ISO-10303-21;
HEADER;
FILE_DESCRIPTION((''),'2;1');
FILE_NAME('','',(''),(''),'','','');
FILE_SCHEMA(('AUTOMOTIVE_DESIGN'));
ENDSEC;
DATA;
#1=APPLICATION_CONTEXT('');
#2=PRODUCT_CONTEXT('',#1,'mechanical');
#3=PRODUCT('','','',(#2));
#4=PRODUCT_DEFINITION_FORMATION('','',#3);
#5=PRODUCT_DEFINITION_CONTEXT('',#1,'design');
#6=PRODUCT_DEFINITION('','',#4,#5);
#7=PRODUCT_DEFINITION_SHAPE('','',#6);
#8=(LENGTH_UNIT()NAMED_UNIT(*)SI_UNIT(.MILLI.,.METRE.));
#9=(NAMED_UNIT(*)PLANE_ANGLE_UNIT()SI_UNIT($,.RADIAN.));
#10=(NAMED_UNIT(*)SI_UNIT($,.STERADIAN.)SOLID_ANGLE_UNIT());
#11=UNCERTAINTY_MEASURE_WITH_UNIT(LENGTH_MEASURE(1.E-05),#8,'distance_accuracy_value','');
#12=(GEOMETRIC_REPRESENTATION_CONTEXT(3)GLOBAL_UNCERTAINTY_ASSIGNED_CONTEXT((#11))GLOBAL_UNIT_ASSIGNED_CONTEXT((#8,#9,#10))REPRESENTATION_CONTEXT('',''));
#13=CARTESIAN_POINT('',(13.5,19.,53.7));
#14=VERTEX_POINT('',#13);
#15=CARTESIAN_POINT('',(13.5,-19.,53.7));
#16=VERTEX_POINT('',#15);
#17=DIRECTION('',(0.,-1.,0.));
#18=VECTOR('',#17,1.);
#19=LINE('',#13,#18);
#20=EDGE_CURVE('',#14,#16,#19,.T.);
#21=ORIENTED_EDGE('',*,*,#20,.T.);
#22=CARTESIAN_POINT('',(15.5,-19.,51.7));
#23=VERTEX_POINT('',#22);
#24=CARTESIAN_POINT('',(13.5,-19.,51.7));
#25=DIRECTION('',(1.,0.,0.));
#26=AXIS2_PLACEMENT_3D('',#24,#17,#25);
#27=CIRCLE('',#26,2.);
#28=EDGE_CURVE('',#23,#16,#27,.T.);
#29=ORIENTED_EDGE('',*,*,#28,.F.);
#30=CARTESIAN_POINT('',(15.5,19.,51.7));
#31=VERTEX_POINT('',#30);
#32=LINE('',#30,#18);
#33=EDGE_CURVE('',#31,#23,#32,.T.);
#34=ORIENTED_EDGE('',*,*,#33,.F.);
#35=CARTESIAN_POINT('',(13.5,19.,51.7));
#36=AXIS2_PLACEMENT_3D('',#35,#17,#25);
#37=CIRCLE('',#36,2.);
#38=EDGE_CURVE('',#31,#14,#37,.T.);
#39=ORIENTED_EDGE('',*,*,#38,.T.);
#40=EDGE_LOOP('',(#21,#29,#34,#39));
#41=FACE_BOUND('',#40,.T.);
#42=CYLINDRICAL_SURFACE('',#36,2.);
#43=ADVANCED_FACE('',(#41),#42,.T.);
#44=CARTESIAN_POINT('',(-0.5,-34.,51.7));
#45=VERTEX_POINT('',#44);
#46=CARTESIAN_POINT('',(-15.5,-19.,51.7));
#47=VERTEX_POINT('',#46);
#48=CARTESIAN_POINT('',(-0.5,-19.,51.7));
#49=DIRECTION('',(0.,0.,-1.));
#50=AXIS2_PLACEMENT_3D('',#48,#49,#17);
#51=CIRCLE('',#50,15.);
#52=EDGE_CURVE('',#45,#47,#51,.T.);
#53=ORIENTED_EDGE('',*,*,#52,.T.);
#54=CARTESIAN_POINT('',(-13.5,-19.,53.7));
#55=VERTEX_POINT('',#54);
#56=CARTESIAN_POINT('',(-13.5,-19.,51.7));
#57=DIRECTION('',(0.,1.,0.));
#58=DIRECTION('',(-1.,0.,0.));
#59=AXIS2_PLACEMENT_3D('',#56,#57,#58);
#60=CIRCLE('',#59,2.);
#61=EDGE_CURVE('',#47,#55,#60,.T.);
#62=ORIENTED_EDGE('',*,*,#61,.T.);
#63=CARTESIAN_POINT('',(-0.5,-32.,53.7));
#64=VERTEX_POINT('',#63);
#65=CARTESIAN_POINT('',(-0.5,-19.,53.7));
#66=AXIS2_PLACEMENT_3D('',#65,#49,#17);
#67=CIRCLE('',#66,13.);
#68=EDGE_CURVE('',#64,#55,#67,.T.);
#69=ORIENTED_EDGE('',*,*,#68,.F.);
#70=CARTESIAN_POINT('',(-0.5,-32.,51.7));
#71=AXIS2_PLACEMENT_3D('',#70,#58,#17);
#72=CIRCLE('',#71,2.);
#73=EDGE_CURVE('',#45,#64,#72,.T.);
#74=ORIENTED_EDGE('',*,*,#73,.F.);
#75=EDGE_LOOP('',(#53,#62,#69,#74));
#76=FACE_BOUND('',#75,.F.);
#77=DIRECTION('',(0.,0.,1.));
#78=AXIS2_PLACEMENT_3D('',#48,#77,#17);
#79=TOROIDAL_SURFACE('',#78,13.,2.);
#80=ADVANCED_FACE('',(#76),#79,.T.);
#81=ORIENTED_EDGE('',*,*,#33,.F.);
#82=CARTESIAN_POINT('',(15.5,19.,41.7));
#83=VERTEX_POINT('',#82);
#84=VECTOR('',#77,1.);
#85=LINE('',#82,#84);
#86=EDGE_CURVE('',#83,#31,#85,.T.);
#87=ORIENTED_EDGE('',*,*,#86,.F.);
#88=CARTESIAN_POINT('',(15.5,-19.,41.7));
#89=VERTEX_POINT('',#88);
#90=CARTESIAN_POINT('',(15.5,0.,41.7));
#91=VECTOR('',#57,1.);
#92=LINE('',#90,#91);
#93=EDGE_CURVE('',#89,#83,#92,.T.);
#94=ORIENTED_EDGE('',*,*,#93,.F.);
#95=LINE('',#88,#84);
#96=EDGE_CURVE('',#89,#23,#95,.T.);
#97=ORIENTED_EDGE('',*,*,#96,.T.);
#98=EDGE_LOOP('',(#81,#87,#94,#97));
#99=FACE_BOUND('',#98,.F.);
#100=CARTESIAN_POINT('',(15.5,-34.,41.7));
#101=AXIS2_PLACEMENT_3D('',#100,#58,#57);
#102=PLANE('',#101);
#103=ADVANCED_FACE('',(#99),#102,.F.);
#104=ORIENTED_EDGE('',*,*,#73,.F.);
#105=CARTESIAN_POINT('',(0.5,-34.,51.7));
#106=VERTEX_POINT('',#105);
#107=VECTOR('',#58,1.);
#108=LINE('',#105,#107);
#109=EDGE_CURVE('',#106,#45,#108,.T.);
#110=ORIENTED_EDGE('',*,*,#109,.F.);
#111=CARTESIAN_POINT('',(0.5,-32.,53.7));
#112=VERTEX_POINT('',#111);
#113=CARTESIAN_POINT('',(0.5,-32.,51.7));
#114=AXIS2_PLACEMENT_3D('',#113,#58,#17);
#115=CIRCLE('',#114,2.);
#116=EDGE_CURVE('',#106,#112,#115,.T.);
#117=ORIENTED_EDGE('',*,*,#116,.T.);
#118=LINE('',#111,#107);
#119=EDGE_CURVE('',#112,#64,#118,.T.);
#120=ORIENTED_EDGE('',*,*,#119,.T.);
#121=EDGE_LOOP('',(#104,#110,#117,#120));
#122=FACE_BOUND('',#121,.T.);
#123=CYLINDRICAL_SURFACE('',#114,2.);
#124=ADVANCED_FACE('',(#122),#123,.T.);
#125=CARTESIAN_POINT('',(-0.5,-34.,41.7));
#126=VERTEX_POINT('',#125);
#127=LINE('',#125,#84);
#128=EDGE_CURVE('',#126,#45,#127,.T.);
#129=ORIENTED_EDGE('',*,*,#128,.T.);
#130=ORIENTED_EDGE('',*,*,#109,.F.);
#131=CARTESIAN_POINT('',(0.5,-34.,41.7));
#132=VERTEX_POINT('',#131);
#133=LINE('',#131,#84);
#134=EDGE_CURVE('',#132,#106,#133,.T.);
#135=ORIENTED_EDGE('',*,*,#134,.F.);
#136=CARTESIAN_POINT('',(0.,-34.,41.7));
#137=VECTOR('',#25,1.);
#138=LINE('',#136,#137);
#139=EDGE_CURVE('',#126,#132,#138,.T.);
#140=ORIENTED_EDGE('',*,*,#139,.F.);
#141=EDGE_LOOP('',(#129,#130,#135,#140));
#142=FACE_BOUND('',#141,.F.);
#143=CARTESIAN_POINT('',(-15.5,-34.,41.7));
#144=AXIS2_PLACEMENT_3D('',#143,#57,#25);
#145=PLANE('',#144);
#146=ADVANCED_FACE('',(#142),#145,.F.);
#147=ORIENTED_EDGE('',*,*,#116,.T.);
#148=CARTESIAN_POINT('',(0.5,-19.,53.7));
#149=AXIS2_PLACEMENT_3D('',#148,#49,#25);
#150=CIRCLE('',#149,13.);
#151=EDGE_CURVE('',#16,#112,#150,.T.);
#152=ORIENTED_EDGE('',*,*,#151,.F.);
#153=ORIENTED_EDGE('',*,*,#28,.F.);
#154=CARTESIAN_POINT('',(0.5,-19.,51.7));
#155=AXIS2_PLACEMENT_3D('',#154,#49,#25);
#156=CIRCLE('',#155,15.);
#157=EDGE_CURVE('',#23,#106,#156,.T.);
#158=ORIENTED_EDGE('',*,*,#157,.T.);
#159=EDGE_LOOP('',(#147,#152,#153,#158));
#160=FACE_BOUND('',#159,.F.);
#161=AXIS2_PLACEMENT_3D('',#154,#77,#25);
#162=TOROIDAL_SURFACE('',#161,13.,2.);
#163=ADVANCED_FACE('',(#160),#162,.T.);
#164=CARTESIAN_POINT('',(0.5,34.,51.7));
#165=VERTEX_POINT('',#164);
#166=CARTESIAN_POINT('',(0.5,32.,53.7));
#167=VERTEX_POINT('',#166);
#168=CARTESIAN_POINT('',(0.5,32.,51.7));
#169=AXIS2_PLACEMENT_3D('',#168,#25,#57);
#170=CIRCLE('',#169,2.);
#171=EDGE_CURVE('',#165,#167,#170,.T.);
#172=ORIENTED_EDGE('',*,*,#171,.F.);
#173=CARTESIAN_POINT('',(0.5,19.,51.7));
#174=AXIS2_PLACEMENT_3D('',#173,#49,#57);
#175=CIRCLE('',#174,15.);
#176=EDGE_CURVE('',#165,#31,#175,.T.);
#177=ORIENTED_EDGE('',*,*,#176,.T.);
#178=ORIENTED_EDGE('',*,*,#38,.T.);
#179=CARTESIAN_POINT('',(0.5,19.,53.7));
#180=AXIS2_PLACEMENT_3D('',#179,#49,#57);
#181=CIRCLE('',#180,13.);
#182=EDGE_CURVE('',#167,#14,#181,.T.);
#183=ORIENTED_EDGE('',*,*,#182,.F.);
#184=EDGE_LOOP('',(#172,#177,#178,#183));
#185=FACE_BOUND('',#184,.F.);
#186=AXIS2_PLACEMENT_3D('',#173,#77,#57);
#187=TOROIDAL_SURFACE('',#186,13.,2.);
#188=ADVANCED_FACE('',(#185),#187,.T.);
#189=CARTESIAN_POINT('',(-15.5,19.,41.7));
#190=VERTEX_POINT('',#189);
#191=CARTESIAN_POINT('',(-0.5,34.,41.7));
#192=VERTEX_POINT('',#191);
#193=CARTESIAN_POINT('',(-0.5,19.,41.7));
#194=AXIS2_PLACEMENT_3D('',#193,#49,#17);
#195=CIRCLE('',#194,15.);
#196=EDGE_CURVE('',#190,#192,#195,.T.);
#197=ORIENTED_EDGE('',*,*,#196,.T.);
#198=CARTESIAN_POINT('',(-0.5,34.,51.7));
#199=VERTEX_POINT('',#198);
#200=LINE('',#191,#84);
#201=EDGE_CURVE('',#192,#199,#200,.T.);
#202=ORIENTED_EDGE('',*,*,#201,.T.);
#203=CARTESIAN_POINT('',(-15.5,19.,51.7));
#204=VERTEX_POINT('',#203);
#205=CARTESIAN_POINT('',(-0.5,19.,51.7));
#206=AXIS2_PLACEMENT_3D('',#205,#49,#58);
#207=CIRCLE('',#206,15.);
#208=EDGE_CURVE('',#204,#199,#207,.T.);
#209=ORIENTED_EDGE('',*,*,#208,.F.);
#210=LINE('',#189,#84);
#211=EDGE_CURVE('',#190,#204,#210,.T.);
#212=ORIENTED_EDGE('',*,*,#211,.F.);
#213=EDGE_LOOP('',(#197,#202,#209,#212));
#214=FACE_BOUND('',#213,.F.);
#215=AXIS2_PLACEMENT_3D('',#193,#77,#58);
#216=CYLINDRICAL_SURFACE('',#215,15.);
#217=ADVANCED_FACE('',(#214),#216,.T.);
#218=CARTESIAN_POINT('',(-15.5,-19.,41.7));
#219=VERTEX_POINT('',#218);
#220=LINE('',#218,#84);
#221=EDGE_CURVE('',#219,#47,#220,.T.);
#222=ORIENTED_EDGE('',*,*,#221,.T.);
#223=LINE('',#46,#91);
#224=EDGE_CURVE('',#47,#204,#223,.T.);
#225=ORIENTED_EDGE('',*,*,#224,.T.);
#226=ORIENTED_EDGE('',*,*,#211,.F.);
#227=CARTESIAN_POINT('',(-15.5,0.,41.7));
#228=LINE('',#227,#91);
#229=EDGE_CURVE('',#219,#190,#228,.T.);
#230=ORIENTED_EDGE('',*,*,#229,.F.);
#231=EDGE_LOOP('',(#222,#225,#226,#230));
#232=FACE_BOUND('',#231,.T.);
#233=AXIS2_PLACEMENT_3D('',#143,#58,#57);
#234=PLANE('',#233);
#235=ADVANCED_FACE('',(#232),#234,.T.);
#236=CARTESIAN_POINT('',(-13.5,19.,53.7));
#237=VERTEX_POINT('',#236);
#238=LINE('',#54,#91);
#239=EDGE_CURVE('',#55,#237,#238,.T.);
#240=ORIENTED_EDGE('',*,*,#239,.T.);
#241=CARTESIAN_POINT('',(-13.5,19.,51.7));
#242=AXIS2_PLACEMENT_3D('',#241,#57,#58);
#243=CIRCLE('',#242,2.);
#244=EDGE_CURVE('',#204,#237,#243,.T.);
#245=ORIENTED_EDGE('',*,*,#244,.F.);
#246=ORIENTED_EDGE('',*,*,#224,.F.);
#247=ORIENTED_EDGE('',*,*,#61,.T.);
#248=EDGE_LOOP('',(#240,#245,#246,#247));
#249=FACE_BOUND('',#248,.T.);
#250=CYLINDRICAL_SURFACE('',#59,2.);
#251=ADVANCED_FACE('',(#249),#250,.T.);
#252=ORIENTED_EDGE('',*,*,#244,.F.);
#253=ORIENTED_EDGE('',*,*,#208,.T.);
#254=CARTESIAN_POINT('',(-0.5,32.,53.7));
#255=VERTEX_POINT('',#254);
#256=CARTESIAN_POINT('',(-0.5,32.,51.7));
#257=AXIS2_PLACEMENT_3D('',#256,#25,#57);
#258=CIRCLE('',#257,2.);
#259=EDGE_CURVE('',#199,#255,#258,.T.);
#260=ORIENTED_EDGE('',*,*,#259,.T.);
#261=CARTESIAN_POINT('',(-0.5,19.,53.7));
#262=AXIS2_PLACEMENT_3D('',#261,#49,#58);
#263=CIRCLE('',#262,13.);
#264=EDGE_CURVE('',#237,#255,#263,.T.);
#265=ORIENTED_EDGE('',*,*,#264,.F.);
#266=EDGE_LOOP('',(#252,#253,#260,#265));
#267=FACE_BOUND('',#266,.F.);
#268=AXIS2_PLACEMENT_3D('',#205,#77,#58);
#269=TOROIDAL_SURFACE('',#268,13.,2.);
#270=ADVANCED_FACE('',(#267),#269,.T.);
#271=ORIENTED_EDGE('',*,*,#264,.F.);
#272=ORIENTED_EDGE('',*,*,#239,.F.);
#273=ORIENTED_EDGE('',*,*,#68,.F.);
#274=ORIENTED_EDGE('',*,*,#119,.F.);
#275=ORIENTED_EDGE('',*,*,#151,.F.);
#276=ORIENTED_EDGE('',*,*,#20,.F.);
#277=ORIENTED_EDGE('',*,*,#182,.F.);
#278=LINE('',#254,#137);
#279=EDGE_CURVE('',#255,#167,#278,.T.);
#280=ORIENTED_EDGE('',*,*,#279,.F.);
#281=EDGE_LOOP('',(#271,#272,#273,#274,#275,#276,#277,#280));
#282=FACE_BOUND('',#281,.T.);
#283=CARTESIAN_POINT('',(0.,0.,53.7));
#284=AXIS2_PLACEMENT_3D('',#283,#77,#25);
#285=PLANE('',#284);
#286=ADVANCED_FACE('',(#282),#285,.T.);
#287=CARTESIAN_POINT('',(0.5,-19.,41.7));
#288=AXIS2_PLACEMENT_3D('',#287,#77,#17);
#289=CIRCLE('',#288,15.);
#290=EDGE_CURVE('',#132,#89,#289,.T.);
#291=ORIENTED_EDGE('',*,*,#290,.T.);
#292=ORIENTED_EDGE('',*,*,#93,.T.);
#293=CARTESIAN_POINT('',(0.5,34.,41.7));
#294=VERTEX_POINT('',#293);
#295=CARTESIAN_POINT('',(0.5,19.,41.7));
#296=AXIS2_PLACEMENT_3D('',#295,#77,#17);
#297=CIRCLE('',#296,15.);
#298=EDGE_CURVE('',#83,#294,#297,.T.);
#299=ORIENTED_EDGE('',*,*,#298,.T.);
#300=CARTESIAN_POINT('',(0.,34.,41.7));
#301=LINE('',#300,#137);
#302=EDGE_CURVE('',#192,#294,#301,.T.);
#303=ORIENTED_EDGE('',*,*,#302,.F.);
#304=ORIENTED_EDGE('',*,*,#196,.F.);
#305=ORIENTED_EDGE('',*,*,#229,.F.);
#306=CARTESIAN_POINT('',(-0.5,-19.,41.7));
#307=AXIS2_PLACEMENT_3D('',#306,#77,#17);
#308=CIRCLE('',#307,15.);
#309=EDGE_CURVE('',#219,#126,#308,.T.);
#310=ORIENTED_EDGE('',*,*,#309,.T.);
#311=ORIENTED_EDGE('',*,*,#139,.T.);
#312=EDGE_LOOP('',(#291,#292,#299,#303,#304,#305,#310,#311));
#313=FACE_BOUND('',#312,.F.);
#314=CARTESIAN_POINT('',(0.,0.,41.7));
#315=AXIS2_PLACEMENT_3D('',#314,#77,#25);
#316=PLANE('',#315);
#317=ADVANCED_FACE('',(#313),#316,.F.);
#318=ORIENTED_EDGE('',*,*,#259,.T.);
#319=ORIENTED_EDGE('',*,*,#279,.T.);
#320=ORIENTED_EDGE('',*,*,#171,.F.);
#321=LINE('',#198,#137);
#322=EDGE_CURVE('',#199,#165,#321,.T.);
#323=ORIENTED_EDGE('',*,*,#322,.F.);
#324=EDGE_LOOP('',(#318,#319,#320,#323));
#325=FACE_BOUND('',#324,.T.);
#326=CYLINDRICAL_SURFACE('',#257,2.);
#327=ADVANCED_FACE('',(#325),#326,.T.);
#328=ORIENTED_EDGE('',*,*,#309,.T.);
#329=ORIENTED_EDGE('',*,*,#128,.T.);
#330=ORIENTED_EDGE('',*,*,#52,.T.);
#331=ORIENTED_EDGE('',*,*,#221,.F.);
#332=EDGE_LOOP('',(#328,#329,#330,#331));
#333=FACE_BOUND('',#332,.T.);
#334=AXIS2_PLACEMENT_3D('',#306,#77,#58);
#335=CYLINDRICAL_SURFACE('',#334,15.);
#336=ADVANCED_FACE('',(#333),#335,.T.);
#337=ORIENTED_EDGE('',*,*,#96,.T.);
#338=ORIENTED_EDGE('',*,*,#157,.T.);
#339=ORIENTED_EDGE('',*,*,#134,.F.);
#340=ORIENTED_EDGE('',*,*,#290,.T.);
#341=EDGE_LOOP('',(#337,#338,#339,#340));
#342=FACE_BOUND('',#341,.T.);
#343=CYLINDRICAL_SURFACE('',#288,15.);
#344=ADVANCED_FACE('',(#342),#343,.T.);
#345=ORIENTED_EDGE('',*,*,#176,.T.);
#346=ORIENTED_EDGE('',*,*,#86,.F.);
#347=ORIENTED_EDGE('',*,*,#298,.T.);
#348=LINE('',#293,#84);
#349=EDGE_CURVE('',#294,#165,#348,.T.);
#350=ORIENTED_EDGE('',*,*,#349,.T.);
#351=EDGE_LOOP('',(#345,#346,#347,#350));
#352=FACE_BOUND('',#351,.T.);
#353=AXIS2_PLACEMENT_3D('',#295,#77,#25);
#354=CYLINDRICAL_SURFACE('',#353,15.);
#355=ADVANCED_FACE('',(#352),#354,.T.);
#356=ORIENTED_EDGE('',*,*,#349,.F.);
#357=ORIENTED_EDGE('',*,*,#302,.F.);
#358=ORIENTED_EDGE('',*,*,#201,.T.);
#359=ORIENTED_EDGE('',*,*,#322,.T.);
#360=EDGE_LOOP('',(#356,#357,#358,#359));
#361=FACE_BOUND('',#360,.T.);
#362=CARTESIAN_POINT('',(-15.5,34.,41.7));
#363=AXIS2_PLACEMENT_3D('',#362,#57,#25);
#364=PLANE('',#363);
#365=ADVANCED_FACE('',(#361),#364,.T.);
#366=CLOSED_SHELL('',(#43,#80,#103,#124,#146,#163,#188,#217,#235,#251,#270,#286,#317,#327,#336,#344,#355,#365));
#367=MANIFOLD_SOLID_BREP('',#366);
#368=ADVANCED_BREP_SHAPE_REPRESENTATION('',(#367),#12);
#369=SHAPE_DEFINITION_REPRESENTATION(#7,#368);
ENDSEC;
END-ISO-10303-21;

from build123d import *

# Parameters (mm, degrees)
BOX018_W     = 31
BOX018_H     = 68
BOX018_DEPTH = 12
FILLET010_R  = 15
FILLET011_R  = 2


with BuildPart() as part:
    # Box018 → Box018 (new body)
    with BuildSketch(Plane(origin=(-15.5, -34, 1.7), x_dir=(1, 0, 0), z_dir=(0, 0, 1))):
        with Locations((15.5, 34)):
            Rectangle(BOX018_W, BOX018_H)
    extrude(amount=BOX018_DEPTH)

    # Fillet010
    fillet010_edges = [part.edges().sort_by_distance(p)[0] for p in [
        (-15.5, -34, 7.7),
        (-15.5, 34, 7.7),
        (15.5, -34, 7.7),
        (15.5, 34, 7.7),
    ]]
    fillet(fillet010_edges, radius=FILLET010_R)

    # Fillet011
    fillet011_edges = [part.edges().sort_by_distance(p)[0] for p in [
        (-15.5, 0, 13.7),
        (-11.106602, -29.606602, 13.7),
        (-11.106602, 29.606602, 13.7),
        (0, -34, 13.7),
        (0, 34, 13.7),
        (11.106602, -29.606602, 13.7),
        (11.106602, 29.606602, 13.7),
        (15.5, 0, 13.7),
    ]]
    fillet(fillet011_edges, radius=FILLET011_R)


with BuildPart() as part_1:
    # Fillet011 placement: moved
    add(part.part.moved(Location((0, 0, 40))))


solid = part_1.part
